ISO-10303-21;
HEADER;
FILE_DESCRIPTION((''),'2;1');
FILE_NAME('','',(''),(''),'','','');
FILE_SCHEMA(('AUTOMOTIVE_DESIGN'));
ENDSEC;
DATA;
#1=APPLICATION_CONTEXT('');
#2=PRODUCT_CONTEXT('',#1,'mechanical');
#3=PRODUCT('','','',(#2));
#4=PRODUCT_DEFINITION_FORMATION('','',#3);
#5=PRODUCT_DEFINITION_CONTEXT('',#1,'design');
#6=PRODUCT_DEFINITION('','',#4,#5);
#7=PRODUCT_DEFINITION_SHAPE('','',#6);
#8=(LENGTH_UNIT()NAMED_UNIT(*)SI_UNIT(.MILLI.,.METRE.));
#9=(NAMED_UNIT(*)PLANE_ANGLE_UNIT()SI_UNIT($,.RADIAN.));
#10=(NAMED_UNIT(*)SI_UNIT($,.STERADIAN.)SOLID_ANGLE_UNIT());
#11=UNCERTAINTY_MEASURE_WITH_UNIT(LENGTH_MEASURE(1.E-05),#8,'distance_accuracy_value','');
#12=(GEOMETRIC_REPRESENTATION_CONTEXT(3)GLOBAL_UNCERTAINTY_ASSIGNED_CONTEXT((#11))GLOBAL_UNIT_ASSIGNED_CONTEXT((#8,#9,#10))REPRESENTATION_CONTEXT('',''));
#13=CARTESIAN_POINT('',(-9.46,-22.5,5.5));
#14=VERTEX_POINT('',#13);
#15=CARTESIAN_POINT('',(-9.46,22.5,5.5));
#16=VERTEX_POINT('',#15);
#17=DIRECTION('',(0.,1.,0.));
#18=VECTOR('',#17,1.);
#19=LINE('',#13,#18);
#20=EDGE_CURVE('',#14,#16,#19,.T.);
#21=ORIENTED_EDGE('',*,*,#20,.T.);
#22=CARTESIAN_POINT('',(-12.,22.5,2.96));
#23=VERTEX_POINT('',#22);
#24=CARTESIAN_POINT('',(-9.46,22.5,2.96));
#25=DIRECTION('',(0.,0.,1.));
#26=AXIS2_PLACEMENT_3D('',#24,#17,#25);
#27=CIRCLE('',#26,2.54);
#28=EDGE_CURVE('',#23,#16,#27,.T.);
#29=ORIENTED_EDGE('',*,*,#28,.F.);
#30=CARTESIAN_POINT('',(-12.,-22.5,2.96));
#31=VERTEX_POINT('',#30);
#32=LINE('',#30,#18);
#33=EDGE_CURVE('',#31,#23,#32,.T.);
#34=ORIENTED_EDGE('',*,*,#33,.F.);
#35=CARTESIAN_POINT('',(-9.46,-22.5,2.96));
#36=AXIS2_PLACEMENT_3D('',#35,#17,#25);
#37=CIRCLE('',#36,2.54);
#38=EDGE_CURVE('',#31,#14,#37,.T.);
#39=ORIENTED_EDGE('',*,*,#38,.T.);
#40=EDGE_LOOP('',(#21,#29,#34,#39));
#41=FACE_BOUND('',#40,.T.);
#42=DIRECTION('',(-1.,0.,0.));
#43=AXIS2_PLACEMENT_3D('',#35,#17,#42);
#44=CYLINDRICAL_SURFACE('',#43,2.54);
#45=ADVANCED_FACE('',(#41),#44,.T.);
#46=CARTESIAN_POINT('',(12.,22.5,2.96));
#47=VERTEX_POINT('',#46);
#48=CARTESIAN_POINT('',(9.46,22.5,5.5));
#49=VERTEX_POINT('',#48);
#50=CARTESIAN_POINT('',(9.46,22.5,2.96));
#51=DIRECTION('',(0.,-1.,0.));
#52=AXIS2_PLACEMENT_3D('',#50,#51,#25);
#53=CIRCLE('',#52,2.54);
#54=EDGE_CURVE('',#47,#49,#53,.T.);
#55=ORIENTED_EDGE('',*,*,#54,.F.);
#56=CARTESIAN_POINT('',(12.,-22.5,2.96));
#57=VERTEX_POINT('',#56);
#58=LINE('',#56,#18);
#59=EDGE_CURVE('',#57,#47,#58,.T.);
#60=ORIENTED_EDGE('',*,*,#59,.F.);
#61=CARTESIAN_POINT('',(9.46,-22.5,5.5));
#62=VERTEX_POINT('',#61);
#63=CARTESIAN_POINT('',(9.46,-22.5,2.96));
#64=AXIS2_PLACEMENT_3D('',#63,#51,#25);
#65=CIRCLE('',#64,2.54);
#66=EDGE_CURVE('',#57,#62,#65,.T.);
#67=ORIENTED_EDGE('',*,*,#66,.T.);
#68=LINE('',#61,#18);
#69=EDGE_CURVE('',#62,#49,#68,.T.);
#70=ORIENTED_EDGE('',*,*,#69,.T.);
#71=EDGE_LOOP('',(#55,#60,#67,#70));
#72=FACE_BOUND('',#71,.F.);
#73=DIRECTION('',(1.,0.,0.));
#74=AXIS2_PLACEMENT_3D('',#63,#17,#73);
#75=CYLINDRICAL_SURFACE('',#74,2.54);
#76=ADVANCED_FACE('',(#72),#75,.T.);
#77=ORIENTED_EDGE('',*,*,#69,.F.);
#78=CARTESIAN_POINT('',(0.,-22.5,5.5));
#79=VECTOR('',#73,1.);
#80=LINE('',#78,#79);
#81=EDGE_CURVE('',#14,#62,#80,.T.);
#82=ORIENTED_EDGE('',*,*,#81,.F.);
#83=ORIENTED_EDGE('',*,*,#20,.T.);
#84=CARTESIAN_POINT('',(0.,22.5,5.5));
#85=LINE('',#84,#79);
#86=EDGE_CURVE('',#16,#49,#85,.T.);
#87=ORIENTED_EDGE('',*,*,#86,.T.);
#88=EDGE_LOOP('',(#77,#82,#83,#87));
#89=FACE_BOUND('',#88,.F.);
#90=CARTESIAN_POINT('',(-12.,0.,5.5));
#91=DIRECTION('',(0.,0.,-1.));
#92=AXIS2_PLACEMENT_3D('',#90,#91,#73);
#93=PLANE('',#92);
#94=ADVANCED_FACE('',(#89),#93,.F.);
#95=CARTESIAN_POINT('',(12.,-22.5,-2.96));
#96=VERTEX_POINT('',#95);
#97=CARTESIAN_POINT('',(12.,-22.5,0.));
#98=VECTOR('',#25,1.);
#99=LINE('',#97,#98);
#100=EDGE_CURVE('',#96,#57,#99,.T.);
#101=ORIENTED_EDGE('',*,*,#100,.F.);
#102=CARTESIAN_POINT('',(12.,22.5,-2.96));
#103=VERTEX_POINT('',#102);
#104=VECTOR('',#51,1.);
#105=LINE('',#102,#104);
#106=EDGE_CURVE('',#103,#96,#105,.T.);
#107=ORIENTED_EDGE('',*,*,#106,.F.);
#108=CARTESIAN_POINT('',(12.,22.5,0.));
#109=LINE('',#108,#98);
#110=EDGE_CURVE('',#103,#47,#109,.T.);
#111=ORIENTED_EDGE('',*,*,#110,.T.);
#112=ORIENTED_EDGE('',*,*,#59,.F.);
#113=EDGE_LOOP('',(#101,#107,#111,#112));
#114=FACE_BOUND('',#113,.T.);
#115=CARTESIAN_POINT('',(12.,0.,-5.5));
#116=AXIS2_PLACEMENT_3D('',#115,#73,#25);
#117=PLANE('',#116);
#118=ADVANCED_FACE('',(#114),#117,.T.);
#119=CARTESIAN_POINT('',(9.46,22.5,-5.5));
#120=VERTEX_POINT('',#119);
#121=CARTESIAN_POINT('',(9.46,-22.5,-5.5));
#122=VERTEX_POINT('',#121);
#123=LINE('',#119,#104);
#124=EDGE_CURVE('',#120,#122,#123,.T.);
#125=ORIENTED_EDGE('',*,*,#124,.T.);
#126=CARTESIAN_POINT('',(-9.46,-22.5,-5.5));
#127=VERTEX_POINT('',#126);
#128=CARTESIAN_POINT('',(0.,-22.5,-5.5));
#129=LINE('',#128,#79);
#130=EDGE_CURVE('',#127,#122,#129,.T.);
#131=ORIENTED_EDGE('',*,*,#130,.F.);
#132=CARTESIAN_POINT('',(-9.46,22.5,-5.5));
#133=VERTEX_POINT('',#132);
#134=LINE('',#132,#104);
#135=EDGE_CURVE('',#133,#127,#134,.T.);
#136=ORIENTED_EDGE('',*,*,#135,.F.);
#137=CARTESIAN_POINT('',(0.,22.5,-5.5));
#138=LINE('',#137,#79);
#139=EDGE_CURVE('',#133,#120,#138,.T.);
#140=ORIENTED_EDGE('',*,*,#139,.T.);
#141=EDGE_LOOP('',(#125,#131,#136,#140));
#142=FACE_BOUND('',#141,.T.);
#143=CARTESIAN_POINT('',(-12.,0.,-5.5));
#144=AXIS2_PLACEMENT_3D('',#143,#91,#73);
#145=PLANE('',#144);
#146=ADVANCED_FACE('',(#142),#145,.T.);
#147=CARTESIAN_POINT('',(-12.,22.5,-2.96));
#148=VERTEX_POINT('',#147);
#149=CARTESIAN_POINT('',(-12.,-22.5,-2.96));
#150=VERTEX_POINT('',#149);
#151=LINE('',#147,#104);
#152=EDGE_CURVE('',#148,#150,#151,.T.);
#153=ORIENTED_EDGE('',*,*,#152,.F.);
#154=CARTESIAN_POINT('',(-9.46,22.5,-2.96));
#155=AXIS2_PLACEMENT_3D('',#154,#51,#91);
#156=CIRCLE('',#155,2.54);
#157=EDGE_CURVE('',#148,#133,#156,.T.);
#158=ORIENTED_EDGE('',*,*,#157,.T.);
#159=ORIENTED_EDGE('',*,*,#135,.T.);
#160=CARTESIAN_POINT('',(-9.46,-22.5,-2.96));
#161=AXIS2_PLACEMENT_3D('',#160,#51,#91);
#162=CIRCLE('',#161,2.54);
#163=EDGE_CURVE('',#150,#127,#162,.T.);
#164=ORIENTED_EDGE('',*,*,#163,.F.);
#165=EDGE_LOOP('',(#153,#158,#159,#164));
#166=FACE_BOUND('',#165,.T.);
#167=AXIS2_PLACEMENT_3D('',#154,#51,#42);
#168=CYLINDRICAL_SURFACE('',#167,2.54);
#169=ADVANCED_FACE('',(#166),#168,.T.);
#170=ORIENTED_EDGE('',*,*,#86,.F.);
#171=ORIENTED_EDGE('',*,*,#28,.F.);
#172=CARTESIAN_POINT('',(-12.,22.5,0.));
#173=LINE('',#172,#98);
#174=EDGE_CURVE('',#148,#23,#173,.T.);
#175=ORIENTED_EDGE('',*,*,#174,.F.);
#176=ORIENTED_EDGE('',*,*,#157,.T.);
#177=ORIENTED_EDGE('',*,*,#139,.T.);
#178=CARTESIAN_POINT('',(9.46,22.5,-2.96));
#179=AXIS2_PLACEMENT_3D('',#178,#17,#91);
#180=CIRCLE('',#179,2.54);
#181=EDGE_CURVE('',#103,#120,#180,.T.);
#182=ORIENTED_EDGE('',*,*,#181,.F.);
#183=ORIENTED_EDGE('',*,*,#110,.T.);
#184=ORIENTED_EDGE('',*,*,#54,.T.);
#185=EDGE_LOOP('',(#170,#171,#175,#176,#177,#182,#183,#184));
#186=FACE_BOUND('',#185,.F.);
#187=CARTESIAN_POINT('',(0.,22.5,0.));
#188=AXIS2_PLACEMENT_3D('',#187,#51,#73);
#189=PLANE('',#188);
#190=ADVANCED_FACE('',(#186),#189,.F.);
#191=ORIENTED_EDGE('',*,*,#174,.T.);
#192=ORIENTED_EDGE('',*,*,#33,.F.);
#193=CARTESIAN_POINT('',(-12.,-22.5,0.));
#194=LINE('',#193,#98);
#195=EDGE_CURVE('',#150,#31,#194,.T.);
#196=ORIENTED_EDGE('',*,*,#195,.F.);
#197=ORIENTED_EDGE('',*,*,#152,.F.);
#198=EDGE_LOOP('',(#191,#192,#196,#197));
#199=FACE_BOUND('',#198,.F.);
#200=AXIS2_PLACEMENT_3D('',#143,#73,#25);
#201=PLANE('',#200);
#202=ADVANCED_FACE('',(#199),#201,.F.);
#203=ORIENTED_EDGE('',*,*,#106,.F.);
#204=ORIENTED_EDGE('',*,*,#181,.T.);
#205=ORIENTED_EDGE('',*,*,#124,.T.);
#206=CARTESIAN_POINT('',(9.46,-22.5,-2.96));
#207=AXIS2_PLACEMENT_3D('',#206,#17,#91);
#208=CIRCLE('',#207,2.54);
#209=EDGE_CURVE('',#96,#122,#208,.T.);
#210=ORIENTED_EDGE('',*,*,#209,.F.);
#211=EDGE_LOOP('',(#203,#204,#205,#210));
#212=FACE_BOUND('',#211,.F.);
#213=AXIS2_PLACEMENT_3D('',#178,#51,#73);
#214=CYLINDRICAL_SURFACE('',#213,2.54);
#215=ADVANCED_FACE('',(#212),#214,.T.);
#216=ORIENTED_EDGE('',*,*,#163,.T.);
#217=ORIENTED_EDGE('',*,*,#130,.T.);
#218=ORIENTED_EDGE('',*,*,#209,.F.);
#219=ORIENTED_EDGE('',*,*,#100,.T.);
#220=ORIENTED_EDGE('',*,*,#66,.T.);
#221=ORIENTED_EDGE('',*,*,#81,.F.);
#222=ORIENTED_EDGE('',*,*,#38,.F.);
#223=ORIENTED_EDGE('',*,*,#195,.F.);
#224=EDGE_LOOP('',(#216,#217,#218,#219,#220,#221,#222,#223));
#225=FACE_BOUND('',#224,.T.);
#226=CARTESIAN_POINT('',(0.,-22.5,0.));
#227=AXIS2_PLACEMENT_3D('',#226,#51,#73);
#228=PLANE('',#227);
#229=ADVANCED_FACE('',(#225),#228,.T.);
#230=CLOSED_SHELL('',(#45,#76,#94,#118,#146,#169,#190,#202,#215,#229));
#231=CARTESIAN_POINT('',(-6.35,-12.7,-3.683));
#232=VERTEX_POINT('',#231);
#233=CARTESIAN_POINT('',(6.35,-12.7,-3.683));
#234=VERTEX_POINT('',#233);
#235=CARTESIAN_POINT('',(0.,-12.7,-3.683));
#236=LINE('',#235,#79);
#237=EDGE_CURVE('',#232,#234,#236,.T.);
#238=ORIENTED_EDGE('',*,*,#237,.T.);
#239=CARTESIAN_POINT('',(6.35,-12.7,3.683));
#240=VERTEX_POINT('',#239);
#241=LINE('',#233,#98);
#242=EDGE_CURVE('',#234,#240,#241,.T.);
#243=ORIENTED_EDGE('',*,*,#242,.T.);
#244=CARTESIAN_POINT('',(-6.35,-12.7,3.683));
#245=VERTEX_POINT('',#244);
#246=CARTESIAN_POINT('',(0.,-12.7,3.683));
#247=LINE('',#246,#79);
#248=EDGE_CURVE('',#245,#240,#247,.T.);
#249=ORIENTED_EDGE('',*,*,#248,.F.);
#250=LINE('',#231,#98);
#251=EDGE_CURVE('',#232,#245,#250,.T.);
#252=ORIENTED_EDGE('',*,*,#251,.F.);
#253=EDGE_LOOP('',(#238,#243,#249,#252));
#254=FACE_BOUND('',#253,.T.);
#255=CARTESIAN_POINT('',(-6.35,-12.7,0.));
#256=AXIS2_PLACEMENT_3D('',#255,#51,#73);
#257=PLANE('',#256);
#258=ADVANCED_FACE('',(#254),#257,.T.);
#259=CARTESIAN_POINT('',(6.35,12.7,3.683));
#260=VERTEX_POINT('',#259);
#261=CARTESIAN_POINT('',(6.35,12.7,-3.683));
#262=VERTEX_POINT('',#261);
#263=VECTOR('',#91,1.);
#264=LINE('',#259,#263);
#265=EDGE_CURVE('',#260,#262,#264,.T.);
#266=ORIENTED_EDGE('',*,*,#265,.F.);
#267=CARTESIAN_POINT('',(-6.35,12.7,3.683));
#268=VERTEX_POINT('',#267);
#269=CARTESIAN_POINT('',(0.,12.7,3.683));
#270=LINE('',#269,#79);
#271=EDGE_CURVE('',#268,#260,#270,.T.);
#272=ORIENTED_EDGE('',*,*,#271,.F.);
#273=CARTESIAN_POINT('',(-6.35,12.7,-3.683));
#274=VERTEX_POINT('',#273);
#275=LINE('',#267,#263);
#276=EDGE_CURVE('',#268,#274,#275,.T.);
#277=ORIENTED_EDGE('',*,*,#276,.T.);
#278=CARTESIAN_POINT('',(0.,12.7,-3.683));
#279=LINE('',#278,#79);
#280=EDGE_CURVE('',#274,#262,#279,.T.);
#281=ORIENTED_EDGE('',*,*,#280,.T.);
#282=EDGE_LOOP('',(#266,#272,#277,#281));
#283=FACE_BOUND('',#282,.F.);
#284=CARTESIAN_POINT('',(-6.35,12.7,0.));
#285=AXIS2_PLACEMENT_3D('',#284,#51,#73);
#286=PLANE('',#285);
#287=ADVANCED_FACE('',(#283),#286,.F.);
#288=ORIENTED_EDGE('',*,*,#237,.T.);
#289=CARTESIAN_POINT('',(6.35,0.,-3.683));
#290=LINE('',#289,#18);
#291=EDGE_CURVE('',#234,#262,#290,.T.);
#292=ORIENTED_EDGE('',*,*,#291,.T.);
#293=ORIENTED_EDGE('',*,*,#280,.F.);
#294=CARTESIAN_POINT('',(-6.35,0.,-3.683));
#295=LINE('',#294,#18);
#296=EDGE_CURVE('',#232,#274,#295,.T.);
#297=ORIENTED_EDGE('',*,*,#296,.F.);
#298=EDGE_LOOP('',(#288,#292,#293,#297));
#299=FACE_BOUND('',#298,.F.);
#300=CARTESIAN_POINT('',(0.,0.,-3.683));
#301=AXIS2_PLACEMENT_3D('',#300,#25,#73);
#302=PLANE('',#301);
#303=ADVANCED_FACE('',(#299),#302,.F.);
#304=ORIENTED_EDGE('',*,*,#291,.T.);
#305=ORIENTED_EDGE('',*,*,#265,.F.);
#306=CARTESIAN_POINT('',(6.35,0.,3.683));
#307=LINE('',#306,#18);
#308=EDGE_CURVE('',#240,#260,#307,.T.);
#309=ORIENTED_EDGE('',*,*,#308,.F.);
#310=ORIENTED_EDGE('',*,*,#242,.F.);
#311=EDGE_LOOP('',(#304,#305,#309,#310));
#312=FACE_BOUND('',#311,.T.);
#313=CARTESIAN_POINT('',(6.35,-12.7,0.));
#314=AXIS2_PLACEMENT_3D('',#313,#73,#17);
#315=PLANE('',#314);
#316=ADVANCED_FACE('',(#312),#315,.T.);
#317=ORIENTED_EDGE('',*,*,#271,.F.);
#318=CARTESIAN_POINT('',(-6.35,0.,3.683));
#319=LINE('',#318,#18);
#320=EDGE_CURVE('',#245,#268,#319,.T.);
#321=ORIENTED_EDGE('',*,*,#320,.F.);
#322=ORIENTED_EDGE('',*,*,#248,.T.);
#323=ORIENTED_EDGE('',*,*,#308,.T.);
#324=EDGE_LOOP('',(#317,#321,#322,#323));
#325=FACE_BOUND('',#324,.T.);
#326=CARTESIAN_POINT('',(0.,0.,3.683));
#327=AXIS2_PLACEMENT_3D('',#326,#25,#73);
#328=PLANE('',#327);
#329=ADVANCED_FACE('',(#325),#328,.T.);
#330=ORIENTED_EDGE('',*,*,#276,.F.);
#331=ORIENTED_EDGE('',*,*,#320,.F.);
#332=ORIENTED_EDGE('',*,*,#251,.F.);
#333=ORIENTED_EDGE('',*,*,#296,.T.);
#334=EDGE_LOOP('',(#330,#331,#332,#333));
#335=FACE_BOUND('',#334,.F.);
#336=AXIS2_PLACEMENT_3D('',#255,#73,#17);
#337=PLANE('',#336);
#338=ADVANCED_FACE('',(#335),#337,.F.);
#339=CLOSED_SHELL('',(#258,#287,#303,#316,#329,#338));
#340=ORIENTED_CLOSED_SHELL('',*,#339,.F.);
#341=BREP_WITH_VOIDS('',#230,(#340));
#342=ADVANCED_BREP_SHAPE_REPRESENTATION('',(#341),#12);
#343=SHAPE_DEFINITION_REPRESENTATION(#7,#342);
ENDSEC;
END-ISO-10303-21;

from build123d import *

# Parameters (mm, degrees)
F0_W     = 24
F0_H     = 11
F1_DEPTH = 22.5
F2_R     = 2.54
F3_W     = 12.7
F3_H     = 25.4
F4_DEPTH = 3.683


with BuildPart() as f1:
    # F0 (on Front) → F1 (new body, symmetric)
    with BuildSketch(Plane.XZ):
        Rectangle(F0_W, F0_H)
    extrude(amount=F1_DEPTH, both=True)

    # F2
    f2_edges = [f1.edges().sort_by_distance(p)[0] for p in [
        (-12, 0, 5.5),
        (-12, 0, -5.5),
        (12, 0, -5.5),
        (12, 0, 5.5),
    ]]
    fillet(f2_edges, radius=F2_R)

    # F3 (on Top) → F4 (cut, symmetric)
    with BuildSketch(Plane.XY):
        Rectangle(F3_W, F3_H)
    extrude(amount=F4_DEPTH, both=True, mode=Mode.SUBTRACT)


solid = f1.part
